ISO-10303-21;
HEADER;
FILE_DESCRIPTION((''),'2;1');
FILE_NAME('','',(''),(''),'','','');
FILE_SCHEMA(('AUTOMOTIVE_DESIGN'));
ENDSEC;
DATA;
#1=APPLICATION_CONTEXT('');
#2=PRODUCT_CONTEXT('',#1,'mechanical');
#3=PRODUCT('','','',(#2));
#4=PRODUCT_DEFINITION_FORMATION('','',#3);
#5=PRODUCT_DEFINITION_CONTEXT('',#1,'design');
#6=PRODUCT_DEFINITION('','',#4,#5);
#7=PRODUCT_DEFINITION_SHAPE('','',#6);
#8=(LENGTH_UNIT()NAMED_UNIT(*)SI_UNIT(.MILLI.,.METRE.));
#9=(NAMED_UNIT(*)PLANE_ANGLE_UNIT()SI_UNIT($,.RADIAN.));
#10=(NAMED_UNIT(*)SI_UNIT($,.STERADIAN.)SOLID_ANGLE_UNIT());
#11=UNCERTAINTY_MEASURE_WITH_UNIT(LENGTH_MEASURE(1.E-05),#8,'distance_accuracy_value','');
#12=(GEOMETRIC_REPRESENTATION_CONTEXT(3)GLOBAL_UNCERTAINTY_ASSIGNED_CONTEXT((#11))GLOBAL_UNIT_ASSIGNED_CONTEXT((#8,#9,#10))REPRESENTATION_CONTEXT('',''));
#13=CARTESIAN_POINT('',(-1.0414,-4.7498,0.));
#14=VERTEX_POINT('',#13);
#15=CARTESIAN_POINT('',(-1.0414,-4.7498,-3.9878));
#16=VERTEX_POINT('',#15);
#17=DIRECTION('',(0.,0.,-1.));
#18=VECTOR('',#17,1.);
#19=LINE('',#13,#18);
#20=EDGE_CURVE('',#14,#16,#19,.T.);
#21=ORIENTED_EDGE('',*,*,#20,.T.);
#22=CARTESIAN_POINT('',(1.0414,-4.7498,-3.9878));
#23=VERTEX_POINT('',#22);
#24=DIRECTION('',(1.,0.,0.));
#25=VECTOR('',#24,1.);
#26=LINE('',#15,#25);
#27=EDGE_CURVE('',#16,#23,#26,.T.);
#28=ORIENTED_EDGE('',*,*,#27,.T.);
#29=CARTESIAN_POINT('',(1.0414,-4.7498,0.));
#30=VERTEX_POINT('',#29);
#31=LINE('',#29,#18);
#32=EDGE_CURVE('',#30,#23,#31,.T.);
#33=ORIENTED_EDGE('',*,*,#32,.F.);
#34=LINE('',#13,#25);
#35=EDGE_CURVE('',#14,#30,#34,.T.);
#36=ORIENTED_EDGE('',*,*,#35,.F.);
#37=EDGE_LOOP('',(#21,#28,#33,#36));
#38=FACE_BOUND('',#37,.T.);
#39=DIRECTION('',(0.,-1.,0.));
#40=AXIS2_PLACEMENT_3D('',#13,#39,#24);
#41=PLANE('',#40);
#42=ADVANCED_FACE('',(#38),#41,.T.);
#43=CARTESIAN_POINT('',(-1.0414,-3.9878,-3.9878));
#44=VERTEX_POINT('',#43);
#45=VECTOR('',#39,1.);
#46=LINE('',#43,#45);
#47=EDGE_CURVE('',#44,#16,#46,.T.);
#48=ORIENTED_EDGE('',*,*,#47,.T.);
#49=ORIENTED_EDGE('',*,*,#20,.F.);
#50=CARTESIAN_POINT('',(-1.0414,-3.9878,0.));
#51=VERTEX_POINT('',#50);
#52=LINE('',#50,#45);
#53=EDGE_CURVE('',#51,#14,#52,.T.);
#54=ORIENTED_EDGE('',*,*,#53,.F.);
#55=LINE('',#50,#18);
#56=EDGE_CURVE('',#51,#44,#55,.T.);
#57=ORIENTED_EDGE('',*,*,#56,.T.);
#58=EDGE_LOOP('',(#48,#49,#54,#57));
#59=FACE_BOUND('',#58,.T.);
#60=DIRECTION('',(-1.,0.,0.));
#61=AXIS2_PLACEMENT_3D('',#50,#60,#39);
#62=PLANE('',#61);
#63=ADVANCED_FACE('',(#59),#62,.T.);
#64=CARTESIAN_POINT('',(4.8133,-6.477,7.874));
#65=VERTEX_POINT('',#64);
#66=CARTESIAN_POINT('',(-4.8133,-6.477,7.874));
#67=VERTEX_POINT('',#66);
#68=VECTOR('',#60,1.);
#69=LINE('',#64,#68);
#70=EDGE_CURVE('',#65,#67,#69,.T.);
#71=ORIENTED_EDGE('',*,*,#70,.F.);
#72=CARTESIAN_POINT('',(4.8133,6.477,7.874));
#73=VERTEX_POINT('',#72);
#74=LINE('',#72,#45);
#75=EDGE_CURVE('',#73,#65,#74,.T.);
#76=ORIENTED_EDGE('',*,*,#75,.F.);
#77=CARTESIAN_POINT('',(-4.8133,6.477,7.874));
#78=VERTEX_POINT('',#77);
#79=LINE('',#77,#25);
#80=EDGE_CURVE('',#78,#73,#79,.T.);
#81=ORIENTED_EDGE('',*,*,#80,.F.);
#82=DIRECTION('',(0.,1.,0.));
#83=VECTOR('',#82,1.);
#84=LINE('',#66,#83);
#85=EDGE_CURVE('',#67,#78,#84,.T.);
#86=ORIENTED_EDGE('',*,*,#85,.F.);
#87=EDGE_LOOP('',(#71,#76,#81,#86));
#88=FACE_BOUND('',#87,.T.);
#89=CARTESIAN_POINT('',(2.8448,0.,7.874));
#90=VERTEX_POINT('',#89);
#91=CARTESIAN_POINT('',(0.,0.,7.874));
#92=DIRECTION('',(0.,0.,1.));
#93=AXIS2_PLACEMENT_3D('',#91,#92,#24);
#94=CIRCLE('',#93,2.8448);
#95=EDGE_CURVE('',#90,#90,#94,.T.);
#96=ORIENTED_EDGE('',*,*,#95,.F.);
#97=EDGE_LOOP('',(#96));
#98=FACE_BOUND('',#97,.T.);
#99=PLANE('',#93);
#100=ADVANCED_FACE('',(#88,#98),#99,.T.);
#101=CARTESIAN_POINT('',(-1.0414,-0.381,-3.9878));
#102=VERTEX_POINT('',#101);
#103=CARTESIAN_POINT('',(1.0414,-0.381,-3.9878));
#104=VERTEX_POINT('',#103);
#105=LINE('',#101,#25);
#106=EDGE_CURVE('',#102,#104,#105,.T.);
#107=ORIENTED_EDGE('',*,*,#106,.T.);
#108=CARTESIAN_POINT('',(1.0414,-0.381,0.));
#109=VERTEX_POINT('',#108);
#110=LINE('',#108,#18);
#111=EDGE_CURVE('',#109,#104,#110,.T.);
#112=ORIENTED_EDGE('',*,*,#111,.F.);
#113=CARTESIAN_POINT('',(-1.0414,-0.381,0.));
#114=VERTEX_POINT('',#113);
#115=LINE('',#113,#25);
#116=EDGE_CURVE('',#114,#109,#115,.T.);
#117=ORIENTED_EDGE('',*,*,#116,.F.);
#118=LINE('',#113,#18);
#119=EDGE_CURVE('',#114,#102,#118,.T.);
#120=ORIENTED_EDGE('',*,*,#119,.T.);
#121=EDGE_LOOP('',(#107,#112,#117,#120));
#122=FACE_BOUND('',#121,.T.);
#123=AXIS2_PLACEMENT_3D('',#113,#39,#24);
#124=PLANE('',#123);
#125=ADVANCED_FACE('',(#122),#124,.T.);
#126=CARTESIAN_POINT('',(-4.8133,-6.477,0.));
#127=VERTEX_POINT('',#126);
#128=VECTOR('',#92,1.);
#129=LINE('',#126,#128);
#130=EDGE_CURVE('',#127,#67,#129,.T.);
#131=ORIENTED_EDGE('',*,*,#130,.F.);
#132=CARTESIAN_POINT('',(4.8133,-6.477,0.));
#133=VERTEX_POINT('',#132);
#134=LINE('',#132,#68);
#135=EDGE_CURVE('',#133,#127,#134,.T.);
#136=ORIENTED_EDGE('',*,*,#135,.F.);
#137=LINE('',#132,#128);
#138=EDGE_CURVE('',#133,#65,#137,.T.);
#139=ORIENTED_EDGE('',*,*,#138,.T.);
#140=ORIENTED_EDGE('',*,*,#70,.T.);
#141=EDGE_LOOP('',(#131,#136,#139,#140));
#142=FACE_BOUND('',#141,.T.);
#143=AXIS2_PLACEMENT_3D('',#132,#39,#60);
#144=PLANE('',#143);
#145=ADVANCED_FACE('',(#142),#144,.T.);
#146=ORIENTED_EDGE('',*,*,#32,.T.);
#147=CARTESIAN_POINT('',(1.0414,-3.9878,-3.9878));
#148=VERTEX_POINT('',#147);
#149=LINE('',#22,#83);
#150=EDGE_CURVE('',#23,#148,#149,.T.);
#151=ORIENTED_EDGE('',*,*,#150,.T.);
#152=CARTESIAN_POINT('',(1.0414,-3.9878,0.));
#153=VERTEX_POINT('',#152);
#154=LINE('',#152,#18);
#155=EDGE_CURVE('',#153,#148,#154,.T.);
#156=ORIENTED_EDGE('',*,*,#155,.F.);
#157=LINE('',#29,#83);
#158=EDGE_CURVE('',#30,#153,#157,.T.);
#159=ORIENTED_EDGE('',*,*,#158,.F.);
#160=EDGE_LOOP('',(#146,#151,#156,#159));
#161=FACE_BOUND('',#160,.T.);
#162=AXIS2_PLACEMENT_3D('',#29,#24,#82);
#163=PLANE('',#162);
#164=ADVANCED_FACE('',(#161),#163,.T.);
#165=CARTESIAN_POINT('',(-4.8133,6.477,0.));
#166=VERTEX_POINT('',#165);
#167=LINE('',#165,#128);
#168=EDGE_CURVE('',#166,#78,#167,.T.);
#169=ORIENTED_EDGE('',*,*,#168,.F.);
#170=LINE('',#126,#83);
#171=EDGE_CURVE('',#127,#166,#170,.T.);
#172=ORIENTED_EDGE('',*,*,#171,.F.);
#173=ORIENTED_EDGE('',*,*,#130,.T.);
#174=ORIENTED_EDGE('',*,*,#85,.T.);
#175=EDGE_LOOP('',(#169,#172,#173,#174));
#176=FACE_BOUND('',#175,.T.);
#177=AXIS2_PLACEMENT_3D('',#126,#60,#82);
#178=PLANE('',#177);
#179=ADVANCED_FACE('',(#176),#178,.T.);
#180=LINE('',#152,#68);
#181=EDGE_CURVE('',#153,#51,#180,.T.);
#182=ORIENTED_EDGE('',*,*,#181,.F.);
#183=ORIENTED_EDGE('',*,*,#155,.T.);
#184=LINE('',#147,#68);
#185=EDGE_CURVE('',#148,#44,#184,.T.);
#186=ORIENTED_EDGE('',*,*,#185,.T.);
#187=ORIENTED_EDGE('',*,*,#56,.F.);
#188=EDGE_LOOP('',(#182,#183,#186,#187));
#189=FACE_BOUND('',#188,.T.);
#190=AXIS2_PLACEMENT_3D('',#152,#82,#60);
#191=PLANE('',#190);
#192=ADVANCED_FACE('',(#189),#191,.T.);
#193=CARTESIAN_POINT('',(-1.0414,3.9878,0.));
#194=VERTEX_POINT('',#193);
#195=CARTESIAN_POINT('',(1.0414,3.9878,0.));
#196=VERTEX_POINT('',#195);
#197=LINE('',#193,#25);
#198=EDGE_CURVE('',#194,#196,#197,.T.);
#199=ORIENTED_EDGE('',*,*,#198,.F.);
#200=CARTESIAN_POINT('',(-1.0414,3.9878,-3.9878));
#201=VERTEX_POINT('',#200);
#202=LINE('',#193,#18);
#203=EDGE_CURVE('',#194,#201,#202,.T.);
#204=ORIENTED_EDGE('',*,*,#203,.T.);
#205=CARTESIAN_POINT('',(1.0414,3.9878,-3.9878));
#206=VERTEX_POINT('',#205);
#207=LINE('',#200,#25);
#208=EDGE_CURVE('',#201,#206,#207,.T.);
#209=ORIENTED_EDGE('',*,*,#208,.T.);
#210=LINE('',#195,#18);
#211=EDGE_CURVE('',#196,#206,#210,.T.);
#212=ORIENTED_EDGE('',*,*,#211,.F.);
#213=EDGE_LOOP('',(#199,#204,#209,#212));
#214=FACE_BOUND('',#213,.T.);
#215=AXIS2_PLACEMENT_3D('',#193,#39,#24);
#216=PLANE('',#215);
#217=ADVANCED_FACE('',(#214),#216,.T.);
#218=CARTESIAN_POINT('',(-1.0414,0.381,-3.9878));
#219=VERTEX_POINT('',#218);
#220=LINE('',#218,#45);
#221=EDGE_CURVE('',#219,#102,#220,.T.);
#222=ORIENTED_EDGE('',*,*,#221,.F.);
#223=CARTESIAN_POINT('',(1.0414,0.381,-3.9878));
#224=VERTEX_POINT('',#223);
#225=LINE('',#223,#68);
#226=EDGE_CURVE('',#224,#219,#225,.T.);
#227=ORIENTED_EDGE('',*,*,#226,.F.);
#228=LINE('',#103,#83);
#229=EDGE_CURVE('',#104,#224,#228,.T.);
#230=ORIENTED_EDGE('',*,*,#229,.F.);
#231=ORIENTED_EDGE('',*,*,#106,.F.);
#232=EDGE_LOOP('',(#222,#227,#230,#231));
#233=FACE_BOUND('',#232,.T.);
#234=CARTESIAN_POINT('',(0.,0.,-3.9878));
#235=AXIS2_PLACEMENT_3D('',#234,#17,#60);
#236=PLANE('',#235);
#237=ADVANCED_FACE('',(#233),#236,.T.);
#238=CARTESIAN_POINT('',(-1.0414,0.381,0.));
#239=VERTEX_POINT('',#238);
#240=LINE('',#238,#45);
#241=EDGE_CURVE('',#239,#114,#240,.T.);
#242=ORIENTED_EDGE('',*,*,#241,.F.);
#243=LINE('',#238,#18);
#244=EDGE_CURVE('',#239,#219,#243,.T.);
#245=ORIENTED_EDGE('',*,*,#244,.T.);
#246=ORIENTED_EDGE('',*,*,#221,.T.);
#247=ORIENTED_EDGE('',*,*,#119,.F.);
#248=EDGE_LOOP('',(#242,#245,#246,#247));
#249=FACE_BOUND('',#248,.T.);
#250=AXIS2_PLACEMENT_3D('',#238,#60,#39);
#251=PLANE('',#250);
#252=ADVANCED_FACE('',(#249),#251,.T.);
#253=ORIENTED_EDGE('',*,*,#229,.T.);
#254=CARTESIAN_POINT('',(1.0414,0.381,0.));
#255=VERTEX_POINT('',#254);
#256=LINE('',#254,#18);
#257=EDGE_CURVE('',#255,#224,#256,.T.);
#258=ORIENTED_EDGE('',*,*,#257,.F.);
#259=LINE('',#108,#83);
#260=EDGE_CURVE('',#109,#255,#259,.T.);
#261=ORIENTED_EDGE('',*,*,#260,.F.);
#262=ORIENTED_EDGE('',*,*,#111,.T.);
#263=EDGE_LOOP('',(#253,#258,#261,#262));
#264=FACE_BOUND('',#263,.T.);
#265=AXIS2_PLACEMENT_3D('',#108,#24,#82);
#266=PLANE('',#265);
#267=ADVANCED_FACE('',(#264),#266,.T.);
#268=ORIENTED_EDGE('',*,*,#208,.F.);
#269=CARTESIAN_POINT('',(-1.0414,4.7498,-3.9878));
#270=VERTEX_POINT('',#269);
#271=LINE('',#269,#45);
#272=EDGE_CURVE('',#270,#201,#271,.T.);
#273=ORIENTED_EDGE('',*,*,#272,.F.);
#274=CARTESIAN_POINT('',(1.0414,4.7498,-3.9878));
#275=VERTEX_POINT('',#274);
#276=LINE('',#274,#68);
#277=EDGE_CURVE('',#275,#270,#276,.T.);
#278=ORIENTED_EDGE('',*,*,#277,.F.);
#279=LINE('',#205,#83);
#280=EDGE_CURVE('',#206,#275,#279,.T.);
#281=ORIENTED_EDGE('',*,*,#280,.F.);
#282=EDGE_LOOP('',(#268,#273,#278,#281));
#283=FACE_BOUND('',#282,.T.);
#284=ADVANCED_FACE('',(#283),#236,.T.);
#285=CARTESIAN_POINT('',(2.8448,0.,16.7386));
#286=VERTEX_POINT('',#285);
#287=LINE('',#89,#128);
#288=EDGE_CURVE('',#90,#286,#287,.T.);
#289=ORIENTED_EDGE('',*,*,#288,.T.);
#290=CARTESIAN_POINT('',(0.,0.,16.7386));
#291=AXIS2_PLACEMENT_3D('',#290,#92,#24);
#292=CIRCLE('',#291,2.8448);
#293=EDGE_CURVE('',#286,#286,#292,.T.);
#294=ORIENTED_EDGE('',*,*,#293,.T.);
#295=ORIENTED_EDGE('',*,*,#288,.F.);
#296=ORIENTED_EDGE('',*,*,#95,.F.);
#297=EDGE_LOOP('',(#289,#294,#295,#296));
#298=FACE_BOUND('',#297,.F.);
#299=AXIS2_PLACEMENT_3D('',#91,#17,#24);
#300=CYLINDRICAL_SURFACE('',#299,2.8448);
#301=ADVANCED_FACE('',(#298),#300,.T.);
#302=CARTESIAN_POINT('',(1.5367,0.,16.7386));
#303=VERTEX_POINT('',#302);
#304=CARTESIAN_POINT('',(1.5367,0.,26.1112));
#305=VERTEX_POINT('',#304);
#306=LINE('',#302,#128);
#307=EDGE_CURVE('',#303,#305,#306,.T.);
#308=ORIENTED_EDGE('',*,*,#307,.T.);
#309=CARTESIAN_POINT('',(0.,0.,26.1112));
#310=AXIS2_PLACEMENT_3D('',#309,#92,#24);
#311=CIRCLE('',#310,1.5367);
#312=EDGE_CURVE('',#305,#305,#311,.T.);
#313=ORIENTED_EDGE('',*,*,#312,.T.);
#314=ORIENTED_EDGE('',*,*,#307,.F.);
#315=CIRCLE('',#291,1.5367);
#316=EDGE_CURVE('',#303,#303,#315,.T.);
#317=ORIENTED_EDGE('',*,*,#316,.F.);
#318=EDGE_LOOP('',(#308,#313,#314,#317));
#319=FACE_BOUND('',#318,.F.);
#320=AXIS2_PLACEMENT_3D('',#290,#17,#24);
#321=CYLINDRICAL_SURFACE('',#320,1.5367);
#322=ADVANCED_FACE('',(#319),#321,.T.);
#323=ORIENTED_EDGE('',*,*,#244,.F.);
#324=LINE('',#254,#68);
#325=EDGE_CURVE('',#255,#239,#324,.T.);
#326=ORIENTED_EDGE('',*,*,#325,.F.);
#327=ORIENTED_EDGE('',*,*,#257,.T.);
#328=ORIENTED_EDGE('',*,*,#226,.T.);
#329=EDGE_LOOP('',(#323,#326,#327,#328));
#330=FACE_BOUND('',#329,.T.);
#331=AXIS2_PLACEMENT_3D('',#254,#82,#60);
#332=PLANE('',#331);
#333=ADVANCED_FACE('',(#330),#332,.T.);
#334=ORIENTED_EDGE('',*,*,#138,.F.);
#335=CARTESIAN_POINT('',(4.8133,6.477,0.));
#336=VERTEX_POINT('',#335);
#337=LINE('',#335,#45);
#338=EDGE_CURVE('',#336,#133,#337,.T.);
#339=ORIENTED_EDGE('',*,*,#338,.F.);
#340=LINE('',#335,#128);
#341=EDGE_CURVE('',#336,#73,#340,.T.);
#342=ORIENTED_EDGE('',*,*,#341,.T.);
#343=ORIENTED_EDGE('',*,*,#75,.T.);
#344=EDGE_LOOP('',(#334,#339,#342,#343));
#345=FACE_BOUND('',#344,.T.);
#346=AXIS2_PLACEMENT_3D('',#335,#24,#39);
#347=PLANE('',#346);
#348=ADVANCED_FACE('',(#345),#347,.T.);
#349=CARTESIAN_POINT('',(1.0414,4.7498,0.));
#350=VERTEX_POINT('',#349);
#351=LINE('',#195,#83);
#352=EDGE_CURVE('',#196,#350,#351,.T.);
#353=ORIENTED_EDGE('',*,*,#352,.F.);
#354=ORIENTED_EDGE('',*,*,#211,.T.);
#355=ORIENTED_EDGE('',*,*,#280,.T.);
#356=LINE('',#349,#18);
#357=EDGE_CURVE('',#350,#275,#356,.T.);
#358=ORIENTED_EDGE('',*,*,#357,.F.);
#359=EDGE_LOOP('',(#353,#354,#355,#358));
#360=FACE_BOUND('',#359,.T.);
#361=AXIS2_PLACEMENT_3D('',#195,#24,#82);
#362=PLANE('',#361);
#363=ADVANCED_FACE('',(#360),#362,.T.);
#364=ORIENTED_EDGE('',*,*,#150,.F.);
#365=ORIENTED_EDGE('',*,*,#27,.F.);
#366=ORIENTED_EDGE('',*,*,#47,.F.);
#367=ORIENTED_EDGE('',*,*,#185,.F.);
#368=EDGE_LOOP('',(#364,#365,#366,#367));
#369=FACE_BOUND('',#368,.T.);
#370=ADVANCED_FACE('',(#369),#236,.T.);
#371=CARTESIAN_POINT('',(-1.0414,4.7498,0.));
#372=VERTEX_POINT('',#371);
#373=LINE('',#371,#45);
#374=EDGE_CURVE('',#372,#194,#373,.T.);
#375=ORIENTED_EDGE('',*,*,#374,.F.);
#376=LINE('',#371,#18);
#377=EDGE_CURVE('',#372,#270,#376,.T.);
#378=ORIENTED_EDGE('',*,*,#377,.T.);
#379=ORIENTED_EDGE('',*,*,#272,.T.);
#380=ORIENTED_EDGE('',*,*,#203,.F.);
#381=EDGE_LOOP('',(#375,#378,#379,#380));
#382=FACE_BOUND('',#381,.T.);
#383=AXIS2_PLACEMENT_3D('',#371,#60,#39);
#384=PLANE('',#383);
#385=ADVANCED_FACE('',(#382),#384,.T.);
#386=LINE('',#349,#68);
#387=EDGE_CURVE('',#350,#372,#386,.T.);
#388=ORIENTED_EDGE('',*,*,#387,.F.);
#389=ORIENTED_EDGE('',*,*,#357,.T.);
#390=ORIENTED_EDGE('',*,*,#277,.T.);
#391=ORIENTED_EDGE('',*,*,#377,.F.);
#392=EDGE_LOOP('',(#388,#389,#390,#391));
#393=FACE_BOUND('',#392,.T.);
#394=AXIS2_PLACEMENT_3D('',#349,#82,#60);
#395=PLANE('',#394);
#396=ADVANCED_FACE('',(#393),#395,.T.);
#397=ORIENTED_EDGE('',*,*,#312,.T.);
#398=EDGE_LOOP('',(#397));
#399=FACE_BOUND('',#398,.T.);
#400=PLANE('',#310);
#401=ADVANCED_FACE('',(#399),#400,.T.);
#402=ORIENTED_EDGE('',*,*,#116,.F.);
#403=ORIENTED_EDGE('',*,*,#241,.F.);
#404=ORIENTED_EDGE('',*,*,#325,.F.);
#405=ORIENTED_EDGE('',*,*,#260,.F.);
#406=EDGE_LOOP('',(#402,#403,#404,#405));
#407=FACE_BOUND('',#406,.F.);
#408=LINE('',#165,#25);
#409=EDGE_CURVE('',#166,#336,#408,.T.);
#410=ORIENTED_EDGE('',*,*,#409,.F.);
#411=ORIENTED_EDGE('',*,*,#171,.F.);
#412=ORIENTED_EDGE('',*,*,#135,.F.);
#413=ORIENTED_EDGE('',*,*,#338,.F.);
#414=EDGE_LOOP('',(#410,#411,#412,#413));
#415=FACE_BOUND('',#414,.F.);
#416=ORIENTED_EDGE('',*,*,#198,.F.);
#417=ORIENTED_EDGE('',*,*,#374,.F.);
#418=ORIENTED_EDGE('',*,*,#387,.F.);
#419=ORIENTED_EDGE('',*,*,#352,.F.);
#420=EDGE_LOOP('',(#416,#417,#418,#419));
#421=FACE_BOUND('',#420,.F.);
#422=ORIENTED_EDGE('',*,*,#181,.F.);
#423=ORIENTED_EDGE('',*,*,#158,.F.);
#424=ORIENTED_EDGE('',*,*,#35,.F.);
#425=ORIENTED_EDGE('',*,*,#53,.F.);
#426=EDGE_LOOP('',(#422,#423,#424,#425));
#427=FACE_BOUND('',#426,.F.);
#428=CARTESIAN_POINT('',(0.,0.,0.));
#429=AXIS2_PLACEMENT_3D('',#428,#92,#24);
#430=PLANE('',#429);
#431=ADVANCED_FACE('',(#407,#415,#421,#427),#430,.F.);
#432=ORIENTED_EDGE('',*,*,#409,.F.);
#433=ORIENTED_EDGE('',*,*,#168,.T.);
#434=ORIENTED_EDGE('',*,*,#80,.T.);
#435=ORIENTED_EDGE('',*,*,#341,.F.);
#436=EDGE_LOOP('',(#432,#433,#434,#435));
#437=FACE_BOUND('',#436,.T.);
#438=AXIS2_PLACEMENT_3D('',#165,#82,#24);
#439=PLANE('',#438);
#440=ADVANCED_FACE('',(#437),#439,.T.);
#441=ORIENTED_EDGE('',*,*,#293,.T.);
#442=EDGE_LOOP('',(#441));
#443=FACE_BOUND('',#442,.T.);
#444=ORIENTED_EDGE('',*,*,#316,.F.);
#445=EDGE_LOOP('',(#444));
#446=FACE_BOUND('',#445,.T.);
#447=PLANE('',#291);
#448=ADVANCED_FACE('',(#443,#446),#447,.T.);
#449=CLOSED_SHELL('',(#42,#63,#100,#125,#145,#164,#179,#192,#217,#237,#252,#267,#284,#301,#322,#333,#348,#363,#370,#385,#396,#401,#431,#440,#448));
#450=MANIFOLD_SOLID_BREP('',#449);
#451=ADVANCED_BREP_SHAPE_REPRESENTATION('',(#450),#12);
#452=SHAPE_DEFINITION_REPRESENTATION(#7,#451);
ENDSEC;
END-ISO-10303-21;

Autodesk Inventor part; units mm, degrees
ref_plane "YZ Plane" through (0, 0, 0) normal (1, 0, 0) x (0, 1, 0)
ref_plane "XZ Plane" through (0, 0, 0) normal (0, 1, 0) x (-1, 0, 0)
ref_plane "XY Plane" through (0, 0, 0) normal (0, 0, 1) x (1, 0, 0)
sketch "Sketch1" plane through (0, 0, 0) normal (0, 0, 1) x (1, 0, 0)
  line L0 (-4.8133, 6.477) -> (4.8133, 6.477)
  line L1 (4.8133, 6.477) -> (4.8133, -6.477)
  line L2 (4.8133, -6.477) -> (-4.8133, -6.477)
  line L3 (-4.8133, -6.477) -> (-4.8133, 6.477)
  line L4 (-4.8133, 6.477) -> (4.8133, -6.477) construction
  line L5 (4.8133, 6.477) -> (-4.8133, -6.477) construction
  point P0 (0, 0)
extrude "Extrusion1" add sketch "Sketch1" along normal blind 7.874
sketch "Sketch2" plane through (0, 0, 0) normal (0, 0, -1) x (-1, 0, 0)
  line L0 (-1.0414, 4.7498) -> (1.0414, 4.7498)
  line L1 (1.0414, 4.7498) -> (1.0414, 3.9878)
  line L2 (1.0414, 3.9878) -> (-1.0414, 3.9878)
  line L3 (-1.0414, 3.9878) -> (-1.0414, 4.7498)
  line L4 (-1.0414, 4.7498) -> (1.0414, 3.9878) construction
  line L5 (1.0414, 4.7498) -> (-1.0414, 3.9878) construction
  line L6 (4.8133, 6.477) -> (-4.8133, 6.477) projected
  point P0 (0, 0)
  point P1 (0, 4.3688)
  dimension "d7" = 2.0828
  dimension "d8" = 0.762
  dimension "d28" = 1.7272
extrude "Extrusion2" add sketch "Sketch2" along normal blind 3.9878
sketch "Sketch3" plane through (0, 0, 0) normal (0, 0, -1) x (-1, 0, 0)
  line L0 (-1.0414, 0.381) -> (1.0414, 0.381)
  line L1 (1.0414, 0.381) -> (1.0414, -0.381)
  line L2 (1.0414, -0.381) -> (-1.0414, -0.381)
  line L3 (-1.0414, -0.381) -> (-1.0414, 0.381)
  line L4 (-1.0414, 0.381) -> (1.0414, -0.381) construction
  line L5 (1.0414, 0.381) -> (-1.0414, -0.381) construction
  line L6 (-1.0414, 3.9878) -> (1.0414, 3.9878) projected
  line L7 (4.8133, 6.477) -> (-4.8133, 6.477) projected
  line L8 (1.0414, 4.7498) -> (-1.0414, 4.7498) projected
  point P0 (0, 0)
  point P1 (0, 0)
  dimension "d13" = 2.0828
  dimension "d15" = 0.762
  dimension "d16" = 3.6068
  dimension "d18" = 1.7272
extrude "Extrusion3" add sketch "Sketch3" along normal blind 3.9878
sketch "Sketch4" plane through (0, 0, 0) normal (0, 0, -1) x (-1, 0, 0)
  line L0 (-1.0414, -3.9878) -> (1.0414, -3.9878)
  line L1 (1.0414, -3.9878) -> (1.0414, -4.7498)
  line L2 (1.0414, -4.7498) -> (-1.0414, -4.7498)
  line L3 (-1.0414, -4.7498) -> (-1.0414, -3.9878)
  line L4 (-1.0414, -3.9878) -> (1.0414, -4.7498) construction
  line L5 (1.0414, -3.9878) -> (-1.0414, -4.7498) construction
  line L6 (-1.0414, -0.381) -> (1.0414, -0.381) projected
  line L7 (-4.8133, -6.477) -> (4.8133, -6.477) projected
  point P0 (0, 0)
  point P1 (0, -4.3688)
  dimension "d24" = 0.762
  dimension "d25" = 3.6068
  dimension "d27" = 2.0828
extrude "Extrusion4" add sketch "Sketch4" along normal blind 3.9878
sketch "Sketch5" plane through (0, 0, 7.874) normal (0, 0, 1) x (1, 0, 0)
  circle A0 centre (0, 0) radius 2.8448
  dimension "d31" = 5.6896
extrude "Extrusion5" add sketch "Sketch5" along normal blind 8.8646
sketch "Sketch6" plane through (0, 0, 16.7386) normal (0, 0, 1) x (1, 0, 0)
  circle A0 centre (0, 0) radius 1.5367
  dimension "d34" = 3.0734
extrude "Extrusion6" add sketch "Sketch6" along normal blind 9.3726
properties part number "Mini toggle switch"
